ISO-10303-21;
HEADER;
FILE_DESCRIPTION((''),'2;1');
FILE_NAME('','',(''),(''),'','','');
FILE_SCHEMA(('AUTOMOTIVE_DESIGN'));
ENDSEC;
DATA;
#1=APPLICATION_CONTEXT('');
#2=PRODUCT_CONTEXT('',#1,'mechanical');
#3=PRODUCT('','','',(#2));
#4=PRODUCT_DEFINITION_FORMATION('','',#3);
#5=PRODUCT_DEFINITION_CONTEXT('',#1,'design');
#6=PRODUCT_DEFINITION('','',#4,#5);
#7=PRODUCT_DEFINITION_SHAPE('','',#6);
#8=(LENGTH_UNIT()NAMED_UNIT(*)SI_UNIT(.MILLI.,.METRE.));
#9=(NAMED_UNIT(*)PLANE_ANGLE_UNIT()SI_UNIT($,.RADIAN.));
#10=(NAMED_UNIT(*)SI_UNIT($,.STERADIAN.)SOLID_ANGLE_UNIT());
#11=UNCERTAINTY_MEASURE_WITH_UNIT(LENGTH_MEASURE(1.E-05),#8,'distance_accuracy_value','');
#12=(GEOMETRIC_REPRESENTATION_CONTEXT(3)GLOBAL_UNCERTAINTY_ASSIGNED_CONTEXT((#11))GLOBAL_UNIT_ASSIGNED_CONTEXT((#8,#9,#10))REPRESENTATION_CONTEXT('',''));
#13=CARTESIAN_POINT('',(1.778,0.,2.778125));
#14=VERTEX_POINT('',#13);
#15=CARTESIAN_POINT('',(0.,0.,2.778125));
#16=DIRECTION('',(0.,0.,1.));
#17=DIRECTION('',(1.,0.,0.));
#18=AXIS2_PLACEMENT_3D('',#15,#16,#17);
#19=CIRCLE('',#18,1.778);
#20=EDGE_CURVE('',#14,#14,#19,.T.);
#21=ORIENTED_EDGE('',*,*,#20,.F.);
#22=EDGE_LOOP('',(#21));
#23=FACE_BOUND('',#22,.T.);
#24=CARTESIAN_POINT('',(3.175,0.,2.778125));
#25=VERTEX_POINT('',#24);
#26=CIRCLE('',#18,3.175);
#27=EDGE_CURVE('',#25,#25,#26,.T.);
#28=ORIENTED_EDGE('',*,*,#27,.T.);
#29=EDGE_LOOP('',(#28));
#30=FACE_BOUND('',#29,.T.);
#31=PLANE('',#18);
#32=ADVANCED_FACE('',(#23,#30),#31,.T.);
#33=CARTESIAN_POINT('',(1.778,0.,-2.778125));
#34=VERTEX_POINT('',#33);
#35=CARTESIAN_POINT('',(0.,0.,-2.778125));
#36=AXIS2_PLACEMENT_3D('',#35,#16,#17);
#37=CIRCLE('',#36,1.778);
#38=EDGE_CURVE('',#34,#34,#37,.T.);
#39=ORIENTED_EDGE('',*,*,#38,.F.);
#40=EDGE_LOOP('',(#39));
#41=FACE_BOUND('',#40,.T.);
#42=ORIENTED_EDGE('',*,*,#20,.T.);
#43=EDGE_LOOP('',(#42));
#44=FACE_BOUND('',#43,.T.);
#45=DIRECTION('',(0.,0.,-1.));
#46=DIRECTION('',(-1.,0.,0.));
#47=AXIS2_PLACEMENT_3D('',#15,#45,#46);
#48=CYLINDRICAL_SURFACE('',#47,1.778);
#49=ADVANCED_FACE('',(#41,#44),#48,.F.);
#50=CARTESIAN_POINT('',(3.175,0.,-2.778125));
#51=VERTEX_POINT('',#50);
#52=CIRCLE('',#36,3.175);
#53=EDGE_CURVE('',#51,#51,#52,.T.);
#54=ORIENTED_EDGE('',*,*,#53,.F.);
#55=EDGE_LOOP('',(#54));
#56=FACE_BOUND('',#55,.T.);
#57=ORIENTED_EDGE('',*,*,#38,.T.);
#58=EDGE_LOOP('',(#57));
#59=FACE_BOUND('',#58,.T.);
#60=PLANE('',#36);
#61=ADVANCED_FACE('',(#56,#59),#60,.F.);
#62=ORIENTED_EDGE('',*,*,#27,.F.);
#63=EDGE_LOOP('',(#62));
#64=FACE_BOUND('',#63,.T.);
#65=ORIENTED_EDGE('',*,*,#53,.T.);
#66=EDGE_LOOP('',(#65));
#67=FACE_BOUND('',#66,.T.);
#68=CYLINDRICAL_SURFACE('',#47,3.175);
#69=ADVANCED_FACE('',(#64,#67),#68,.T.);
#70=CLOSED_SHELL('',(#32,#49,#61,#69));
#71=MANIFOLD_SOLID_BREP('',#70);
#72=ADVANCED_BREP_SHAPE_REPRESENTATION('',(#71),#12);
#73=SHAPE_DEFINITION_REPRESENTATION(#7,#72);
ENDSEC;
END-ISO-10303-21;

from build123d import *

# Parameters (mm, degrees)
SKETCH1_R      = 3.175
SKETCH1_R_2    = 1.778
EXTRUDE1_DEPTH = 2.778125


with BuildPart() as part:
    # Sketch1 → Extrude1 (new body, symmetric)
    with BuildSketch(Plane.XY):
        Circle(SKETCH1_R)
        Circle(SKETCH1_R_2, mode=Mode.SUBTRACT)
    extrude(amount=EXTRUDE1_DEPTH, both=True)


solid = part.part
